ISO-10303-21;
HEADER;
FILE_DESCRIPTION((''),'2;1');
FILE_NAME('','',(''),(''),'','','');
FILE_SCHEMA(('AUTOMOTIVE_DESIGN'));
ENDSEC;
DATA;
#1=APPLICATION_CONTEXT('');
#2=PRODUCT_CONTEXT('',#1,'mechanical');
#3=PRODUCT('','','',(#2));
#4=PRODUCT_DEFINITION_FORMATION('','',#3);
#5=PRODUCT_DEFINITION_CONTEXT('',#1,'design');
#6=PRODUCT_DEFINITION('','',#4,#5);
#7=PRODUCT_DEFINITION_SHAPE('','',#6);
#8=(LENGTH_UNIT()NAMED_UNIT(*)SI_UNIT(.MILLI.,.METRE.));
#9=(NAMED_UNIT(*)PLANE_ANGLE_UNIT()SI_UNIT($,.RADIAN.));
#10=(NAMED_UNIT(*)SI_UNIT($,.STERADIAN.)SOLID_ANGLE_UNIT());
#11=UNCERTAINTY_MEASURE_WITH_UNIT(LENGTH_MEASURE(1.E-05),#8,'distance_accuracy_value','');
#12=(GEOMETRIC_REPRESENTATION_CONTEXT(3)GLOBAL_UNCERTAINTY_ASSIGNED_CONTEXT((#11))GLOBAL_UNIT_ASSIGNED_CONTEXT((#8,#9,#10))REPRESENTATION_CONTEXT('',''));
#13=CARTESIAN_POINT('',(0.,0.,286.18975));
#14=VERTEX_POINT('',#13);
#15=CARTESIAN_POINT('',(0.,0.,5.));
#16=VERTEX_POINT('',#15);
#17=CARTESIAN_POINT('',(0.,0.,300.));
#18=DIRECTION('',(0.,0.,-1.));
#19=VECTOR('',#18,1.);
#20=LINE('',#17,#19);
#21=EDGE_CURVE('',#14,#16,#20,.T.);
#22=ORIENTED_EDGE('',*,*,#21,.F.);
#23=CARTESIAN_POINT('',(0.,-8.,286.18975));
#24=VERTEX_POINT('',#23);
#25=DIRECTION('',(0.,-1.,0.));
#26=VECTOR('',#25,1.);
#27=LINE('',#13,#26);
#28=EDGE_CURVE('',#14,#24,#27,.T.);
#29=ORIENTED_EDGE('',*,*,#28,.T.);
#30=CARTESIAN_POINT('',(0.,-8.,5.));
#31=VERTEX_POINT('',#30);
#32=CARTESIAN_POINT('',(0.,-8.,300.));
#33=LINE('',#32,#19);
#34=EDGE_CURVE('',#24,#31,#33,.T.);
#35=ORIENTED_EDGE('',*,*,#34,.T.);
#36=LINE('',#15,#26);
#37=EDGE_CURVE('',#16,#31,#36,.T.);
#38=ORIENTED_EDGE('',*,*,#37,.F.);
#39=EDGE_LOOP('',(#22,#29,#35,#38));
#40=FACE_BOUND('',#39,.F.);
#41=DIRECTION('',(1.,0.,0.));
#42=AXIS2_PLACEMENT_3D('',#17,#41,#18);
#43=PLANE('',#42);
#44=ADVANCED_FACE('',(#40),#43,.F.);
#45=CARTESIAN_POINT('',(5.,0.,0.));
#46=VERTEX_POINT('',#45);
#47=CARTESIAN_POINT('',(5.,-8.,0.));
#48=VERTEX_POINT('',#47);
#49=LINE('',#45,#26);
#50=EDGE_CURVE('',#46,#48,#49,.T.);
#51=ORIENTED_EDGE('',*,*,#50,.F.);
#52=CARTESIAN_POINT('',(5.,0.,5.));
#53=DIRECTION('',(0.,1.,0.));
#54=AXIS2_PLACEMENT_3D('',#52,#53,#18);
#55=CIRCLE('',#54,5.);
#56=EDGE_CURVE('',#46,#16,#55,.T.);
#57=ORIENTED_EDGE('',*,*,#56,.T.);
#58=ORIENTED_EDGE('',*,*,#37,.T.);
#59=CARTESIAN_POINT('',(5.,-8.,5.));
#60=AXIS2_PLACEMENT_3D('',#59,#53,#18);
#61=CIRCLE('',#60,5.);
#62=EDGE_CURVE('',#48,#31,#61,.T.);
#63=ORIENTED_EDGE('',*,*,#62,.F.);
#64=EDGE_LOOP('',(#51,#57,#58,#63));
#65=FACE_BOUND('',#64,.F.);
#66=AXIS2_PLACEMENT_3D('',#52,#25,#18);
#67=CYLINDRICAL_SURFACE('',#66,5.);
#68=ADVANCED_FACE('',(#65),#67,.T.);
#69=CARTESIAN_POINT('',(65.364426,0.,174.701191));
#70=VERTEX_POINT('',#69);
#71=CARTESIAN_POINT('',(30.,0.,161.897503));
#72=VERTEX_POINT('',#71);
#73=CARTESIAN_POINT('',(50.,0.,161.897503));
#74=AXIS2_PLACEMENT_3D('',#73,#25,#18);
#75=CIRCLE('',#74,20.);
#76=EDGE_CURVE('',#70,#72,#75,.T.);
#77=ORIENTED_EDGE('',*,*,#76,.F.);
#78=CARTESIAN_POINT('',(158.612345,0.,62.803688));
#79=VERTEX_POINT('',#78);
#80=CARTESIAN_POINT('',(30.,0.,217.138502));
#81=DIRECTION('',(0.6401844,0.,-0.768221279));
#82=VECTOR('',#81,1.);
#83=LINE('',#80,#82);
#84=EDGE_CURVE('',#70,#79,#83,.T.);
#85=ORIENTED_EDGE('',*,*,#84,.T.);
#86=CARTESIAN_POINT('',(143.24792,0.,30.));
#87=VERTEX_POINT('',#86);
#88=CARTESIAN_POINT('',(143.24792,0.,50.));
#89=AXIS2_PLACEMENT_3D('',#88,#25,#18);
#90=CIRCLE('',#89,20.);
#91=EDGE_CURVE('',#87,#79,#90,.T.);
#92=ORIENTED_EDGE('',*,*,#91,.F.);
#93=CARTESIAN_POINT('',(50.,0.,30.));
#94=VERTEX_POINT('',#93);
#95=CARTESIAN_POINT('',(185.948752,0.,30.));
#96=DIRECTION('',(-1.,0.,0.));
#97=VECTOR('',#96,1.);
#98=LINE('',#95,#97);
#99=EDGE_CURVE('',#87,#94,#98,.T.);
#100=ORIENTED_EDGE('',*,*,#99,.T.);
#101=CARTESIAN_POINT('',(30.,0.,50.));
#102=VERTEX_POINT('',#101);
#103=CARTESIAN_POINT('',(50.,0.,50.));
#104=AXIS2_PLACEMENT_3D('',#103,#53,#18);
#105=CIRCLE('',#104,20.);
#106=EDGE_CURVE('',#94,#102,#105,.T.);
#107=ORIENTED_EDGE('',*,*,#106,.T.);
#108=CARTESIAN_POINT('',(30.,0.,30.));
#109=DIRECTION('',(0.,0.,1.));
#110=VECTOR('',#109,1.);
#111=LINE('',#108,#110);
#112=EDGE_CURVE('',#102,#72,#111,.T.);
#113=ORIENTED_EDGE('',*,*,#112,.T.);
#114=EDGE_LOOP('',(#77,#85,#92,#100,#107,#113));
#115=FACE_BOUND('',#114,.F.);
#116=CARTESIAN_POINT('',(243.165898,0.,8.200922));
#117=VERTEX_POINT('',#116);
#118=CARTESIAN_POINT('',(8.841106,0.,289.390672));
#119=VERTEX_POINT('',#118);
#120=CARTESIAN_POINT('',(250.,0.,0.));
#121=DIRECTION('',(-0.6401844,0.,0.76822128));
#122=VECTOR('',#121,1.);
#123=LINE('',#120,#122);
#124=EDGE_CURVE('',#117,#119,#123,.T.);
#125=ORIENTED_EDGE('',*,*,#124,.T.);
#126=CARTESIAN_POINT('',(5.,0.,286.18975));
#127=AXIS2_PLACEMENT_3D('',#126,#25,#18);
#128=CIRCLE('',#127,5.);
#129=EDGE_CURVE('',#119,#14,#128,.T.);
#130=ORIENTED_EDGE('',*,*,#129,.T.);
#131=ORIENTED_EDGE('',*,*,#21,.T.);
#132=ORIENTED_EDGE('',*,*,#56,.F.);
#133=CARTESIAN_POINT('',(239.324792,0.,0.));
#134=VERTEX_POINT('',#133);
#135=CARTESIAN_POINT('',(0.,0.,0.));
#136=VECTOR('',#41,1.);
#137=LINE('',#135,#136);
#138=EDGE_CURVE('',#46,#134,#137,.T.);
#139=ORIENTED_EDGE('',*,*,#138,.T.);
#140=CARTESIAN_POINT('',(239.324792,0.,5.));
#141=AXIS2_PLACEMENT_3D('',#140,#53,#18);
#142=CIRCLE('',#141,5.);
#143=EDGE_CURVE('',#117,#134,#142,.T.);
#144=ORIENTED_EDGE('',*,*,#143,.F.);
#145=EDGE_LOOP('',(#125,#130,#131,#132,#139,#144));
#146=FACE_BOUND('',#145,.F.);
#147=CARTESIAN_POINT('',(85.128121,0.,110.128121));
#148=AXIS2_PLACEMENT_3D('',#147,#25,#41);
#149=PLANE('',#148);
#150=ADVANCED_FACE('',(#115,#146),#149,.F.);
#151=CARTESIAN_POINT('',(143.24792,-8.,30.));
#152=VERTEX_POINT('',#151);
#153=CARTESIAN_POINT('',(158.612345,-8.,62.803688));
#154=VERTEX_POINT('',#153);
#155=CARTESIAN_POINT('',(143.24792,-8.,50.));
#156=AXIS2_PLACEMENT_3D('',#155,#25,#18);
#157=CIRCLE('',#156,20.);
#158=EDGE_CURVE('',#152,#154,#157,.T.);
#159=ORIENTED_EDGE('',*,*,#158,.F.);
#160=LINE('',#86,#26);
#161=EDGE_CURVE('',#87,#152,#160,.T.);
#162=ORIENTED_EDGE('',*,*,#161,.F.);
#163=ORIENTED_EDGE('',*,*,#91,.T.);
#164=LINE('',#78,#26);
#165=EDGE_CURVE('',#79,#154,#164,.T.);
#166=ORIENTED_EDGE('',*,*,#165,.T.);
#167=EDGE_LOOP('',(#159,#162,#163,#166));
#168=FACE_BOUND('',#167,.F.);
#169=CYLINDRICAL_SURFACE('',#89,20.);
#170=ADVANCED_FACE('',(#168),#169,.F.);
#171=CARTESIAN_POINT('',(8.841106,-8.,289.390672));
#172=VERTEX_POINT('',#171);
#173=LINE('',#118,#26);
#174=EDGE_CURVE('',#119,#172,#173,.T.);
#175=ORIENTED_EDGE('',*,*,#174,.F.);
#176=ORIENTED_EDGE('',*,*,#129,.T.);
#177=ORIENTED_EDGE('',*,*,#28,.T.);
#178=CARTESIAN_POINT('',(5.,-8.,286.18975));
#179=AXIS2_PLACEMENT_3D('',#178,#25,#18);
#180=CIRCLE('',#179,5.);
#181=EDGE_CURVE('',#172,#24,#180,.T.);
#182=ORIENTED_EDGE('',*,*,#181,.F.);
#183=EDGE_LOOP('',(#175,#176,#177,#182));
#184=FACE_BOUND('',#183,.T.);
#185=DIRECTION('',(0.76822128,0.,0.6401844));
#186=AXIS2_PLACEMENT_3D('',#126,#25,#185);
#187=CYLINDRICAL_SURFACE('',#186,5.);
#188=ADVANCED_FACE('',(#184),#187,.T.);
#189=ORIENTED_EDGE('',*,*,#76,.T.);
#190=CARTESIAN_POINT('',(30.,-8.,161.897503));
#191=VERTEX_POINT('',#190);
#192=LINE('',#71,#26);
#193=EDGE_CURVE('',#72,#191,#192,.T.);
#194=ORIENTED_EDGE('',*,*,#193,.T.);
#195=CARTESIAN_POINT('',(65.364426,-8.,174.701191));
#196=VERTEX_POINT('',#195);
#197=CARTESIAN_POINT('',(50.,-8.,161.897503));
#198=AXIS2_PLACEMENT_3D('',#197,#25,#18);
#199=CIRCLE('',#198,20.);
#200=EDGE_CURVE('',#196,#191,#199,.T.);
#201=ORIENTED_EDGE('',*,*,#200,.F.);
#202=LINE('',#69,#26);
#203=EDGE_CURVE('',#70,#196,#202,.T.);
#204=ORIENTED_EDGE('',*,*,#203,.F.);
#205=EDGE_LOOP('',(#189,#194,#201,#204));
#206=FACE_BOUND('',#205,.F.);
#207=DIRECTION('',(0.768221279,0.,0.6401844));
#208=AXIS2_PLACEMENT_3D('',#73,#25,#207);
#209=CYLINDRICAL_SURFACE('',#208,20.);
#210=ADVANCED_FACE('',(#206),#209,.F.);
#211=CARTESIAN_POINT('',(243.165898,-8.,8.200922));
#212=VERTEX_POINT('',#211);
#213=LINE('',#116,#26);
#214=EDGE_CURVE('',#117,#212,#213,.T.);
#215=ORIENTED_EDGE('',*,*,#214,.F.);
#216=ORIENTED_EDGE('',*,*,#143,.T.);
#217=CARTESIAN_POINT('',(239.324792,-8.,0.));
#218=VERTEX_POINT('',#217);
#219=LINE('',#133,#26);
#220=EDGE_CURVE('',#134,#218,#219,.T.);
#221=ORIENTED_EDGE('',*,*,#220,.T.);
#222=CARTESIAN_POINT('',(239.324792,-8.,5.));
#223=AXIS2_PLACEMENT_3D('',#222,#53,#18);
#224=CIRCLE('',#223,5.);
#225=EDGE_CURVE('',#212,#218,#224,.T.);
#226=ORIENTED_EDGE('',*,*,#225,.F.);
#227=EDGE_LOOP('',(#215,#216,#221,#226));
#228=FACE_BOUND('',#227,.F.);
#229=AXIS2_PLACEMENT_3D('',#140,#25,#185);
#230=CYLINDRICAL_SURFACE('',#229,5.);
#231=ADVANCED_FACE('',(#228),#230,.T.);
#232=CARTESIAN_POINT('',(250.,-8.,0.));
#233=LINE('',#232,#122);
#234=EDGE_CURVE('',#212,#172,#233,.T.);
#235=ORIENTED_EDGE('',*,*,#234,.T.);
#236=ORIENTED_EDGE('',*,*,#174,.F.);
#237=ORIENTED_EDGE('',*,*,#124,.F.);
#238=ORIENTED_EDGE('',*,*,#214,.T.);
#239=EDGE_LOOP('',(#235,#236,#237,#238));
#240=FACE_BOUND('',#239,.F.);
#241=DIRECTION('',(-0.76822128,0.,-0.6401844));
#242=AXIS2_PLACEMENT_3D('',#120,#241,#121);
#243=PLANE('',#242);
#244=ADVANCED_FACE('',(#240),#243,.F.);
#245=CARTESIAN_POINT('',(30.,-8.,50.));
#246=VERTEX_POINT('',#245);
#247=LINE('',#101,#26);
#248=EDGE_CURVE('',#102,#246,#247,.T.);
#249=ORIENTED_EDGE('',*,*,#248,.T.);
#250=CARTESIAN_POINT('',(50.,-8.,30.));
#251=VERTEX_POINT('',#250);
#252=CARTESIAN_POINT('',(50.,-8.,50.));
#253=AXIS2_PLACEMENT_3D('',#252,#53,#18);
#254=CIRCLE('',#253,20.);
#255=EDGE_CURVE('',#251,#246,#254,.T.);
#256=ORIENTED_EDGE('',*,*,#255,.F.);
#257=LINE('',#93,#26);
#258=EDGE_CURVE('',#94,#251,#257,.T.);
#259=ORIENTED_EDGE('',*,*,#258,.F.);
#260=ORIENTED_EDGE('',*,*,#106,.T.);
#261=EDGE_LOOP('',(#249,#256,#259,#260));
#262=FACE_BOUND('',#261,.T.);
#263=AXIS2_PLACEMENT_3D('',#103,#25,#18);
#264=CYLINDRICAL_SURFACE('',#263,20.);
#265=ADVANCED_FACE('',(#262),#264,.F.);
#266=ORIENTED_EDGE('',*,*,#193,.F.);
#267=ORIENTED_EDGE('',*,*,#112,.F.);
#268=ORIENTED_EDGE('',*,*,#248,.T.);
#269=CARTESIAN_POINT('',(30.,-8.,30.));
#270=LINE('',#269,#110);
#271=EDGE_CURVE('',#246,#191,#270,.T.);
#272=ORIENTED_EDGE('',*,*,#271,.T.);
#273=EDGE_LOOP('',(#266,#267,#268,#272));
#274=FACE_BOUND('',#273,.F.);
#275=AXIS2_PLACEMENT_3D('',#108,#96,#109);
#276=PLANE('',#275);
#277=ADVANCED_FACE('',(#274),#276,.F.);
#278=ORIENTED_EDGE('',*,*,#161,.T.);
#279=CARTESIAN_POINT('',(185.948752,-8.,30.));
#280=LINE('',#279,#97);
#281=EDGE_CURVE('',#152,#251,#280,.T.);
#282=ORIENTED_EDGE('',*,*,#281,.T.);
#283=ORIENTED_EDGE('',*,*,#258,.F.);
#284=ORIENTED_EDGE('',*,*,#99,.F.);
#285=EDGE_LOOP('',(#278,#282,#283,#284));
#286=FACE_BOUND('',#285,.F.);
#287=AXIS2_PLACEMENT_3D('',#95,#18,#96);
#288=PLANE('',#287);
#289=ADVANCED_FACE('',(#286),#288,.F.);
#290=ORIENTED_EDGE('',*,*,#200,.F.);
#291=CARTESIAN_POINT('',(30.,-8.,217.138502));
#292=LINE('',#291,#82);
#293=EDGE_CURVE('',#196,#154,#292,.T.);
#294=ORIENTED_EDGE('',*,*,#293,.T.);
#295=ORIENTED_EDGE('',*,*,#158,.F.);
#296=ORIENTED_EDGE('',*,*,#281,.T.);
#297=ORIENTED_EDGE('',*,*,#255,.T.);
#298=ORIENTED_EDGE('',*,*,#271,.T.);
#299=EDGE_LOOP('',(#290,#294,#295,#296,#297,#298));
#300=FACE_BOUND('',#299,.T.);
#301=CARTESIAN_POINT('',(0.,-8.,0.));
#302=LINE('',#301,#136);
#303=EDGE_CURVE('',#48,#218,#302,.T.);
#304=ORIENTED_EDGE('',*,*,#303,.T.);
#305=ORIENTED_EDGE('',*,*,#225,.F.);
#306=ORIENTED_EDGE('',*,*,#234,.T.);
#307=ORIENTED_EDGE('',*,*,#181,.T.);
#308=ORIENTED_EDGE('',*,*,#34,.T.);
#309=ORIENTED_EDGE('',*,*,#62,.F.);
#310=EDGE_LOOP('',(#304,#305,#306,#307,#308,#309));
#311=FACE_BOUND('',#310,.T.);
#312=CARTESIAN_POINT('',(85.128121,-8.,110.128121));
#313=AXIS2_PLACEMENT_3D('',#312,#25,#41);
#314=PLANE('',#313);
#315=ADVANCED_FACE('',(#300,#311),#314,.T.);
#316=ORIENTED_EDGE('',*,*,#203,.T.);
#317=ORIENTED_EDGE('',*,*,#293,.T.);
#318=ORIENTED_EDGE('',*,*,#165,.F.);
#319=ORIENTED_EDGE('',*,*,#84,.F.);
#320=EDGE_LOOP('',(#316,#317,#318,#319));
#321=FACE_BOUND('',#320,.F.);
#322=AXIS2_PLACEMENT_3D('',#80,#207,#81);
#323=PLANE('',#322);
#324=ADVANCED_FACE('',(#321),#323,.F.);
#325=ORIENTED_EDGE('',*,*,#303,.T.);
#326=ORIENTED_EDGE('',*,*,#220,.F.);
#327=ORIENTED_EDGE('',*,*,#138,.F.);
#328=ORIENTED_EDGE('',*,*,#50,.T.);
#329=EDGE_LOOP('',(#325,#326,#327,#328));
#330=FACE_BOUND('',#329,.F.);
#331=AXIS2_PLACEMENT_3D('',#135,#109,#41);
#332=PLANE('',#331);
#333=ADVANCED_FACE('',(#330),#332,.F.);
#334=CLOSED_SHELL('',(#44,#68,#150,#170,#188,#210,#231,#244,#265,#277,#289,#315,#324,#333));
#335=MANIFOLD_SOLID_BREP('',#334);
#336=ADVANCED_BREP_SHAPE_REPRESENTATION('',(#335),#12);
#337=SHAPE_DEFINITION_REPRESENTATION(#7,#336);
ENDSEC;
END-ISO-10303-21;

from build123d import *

# Parameters (mm, degrees)
F1_DEPTH = 8
F2_R     = 20
F3_R     = 5


with BuildPart() as f1:
    # F0 (on Front) → F1 (new body)
    with BuildSketch(Plane.XZ):
        Polygon((250, 0), (0, 300), (0, 0), align=None)
        Polygon((30, 30), (30, 217.138502), (185.948752, 30), align=None, mode=Mode.SUBTRACT)
    extrude(amount=F1_DEPTH)

    # F2
    f2_edges = [f1.edges().sort_by_distance(p)[0] for p in [
        (30, -4, 30),
        (185.948752, -4, 30),
        (30, -4, 217.138502),
    ]]
    fillet(f2_edges, radius=F2_R)

    # F3
    f3_edges = [f1.edges().sort_by_distance(p)[0] for p in [
        (250, -4, 0),
        (0, -4, 300),
        (0, -4, 0),
    ]]
    fillet(f3_edges, radius=F3_R)


solid = f1.part
